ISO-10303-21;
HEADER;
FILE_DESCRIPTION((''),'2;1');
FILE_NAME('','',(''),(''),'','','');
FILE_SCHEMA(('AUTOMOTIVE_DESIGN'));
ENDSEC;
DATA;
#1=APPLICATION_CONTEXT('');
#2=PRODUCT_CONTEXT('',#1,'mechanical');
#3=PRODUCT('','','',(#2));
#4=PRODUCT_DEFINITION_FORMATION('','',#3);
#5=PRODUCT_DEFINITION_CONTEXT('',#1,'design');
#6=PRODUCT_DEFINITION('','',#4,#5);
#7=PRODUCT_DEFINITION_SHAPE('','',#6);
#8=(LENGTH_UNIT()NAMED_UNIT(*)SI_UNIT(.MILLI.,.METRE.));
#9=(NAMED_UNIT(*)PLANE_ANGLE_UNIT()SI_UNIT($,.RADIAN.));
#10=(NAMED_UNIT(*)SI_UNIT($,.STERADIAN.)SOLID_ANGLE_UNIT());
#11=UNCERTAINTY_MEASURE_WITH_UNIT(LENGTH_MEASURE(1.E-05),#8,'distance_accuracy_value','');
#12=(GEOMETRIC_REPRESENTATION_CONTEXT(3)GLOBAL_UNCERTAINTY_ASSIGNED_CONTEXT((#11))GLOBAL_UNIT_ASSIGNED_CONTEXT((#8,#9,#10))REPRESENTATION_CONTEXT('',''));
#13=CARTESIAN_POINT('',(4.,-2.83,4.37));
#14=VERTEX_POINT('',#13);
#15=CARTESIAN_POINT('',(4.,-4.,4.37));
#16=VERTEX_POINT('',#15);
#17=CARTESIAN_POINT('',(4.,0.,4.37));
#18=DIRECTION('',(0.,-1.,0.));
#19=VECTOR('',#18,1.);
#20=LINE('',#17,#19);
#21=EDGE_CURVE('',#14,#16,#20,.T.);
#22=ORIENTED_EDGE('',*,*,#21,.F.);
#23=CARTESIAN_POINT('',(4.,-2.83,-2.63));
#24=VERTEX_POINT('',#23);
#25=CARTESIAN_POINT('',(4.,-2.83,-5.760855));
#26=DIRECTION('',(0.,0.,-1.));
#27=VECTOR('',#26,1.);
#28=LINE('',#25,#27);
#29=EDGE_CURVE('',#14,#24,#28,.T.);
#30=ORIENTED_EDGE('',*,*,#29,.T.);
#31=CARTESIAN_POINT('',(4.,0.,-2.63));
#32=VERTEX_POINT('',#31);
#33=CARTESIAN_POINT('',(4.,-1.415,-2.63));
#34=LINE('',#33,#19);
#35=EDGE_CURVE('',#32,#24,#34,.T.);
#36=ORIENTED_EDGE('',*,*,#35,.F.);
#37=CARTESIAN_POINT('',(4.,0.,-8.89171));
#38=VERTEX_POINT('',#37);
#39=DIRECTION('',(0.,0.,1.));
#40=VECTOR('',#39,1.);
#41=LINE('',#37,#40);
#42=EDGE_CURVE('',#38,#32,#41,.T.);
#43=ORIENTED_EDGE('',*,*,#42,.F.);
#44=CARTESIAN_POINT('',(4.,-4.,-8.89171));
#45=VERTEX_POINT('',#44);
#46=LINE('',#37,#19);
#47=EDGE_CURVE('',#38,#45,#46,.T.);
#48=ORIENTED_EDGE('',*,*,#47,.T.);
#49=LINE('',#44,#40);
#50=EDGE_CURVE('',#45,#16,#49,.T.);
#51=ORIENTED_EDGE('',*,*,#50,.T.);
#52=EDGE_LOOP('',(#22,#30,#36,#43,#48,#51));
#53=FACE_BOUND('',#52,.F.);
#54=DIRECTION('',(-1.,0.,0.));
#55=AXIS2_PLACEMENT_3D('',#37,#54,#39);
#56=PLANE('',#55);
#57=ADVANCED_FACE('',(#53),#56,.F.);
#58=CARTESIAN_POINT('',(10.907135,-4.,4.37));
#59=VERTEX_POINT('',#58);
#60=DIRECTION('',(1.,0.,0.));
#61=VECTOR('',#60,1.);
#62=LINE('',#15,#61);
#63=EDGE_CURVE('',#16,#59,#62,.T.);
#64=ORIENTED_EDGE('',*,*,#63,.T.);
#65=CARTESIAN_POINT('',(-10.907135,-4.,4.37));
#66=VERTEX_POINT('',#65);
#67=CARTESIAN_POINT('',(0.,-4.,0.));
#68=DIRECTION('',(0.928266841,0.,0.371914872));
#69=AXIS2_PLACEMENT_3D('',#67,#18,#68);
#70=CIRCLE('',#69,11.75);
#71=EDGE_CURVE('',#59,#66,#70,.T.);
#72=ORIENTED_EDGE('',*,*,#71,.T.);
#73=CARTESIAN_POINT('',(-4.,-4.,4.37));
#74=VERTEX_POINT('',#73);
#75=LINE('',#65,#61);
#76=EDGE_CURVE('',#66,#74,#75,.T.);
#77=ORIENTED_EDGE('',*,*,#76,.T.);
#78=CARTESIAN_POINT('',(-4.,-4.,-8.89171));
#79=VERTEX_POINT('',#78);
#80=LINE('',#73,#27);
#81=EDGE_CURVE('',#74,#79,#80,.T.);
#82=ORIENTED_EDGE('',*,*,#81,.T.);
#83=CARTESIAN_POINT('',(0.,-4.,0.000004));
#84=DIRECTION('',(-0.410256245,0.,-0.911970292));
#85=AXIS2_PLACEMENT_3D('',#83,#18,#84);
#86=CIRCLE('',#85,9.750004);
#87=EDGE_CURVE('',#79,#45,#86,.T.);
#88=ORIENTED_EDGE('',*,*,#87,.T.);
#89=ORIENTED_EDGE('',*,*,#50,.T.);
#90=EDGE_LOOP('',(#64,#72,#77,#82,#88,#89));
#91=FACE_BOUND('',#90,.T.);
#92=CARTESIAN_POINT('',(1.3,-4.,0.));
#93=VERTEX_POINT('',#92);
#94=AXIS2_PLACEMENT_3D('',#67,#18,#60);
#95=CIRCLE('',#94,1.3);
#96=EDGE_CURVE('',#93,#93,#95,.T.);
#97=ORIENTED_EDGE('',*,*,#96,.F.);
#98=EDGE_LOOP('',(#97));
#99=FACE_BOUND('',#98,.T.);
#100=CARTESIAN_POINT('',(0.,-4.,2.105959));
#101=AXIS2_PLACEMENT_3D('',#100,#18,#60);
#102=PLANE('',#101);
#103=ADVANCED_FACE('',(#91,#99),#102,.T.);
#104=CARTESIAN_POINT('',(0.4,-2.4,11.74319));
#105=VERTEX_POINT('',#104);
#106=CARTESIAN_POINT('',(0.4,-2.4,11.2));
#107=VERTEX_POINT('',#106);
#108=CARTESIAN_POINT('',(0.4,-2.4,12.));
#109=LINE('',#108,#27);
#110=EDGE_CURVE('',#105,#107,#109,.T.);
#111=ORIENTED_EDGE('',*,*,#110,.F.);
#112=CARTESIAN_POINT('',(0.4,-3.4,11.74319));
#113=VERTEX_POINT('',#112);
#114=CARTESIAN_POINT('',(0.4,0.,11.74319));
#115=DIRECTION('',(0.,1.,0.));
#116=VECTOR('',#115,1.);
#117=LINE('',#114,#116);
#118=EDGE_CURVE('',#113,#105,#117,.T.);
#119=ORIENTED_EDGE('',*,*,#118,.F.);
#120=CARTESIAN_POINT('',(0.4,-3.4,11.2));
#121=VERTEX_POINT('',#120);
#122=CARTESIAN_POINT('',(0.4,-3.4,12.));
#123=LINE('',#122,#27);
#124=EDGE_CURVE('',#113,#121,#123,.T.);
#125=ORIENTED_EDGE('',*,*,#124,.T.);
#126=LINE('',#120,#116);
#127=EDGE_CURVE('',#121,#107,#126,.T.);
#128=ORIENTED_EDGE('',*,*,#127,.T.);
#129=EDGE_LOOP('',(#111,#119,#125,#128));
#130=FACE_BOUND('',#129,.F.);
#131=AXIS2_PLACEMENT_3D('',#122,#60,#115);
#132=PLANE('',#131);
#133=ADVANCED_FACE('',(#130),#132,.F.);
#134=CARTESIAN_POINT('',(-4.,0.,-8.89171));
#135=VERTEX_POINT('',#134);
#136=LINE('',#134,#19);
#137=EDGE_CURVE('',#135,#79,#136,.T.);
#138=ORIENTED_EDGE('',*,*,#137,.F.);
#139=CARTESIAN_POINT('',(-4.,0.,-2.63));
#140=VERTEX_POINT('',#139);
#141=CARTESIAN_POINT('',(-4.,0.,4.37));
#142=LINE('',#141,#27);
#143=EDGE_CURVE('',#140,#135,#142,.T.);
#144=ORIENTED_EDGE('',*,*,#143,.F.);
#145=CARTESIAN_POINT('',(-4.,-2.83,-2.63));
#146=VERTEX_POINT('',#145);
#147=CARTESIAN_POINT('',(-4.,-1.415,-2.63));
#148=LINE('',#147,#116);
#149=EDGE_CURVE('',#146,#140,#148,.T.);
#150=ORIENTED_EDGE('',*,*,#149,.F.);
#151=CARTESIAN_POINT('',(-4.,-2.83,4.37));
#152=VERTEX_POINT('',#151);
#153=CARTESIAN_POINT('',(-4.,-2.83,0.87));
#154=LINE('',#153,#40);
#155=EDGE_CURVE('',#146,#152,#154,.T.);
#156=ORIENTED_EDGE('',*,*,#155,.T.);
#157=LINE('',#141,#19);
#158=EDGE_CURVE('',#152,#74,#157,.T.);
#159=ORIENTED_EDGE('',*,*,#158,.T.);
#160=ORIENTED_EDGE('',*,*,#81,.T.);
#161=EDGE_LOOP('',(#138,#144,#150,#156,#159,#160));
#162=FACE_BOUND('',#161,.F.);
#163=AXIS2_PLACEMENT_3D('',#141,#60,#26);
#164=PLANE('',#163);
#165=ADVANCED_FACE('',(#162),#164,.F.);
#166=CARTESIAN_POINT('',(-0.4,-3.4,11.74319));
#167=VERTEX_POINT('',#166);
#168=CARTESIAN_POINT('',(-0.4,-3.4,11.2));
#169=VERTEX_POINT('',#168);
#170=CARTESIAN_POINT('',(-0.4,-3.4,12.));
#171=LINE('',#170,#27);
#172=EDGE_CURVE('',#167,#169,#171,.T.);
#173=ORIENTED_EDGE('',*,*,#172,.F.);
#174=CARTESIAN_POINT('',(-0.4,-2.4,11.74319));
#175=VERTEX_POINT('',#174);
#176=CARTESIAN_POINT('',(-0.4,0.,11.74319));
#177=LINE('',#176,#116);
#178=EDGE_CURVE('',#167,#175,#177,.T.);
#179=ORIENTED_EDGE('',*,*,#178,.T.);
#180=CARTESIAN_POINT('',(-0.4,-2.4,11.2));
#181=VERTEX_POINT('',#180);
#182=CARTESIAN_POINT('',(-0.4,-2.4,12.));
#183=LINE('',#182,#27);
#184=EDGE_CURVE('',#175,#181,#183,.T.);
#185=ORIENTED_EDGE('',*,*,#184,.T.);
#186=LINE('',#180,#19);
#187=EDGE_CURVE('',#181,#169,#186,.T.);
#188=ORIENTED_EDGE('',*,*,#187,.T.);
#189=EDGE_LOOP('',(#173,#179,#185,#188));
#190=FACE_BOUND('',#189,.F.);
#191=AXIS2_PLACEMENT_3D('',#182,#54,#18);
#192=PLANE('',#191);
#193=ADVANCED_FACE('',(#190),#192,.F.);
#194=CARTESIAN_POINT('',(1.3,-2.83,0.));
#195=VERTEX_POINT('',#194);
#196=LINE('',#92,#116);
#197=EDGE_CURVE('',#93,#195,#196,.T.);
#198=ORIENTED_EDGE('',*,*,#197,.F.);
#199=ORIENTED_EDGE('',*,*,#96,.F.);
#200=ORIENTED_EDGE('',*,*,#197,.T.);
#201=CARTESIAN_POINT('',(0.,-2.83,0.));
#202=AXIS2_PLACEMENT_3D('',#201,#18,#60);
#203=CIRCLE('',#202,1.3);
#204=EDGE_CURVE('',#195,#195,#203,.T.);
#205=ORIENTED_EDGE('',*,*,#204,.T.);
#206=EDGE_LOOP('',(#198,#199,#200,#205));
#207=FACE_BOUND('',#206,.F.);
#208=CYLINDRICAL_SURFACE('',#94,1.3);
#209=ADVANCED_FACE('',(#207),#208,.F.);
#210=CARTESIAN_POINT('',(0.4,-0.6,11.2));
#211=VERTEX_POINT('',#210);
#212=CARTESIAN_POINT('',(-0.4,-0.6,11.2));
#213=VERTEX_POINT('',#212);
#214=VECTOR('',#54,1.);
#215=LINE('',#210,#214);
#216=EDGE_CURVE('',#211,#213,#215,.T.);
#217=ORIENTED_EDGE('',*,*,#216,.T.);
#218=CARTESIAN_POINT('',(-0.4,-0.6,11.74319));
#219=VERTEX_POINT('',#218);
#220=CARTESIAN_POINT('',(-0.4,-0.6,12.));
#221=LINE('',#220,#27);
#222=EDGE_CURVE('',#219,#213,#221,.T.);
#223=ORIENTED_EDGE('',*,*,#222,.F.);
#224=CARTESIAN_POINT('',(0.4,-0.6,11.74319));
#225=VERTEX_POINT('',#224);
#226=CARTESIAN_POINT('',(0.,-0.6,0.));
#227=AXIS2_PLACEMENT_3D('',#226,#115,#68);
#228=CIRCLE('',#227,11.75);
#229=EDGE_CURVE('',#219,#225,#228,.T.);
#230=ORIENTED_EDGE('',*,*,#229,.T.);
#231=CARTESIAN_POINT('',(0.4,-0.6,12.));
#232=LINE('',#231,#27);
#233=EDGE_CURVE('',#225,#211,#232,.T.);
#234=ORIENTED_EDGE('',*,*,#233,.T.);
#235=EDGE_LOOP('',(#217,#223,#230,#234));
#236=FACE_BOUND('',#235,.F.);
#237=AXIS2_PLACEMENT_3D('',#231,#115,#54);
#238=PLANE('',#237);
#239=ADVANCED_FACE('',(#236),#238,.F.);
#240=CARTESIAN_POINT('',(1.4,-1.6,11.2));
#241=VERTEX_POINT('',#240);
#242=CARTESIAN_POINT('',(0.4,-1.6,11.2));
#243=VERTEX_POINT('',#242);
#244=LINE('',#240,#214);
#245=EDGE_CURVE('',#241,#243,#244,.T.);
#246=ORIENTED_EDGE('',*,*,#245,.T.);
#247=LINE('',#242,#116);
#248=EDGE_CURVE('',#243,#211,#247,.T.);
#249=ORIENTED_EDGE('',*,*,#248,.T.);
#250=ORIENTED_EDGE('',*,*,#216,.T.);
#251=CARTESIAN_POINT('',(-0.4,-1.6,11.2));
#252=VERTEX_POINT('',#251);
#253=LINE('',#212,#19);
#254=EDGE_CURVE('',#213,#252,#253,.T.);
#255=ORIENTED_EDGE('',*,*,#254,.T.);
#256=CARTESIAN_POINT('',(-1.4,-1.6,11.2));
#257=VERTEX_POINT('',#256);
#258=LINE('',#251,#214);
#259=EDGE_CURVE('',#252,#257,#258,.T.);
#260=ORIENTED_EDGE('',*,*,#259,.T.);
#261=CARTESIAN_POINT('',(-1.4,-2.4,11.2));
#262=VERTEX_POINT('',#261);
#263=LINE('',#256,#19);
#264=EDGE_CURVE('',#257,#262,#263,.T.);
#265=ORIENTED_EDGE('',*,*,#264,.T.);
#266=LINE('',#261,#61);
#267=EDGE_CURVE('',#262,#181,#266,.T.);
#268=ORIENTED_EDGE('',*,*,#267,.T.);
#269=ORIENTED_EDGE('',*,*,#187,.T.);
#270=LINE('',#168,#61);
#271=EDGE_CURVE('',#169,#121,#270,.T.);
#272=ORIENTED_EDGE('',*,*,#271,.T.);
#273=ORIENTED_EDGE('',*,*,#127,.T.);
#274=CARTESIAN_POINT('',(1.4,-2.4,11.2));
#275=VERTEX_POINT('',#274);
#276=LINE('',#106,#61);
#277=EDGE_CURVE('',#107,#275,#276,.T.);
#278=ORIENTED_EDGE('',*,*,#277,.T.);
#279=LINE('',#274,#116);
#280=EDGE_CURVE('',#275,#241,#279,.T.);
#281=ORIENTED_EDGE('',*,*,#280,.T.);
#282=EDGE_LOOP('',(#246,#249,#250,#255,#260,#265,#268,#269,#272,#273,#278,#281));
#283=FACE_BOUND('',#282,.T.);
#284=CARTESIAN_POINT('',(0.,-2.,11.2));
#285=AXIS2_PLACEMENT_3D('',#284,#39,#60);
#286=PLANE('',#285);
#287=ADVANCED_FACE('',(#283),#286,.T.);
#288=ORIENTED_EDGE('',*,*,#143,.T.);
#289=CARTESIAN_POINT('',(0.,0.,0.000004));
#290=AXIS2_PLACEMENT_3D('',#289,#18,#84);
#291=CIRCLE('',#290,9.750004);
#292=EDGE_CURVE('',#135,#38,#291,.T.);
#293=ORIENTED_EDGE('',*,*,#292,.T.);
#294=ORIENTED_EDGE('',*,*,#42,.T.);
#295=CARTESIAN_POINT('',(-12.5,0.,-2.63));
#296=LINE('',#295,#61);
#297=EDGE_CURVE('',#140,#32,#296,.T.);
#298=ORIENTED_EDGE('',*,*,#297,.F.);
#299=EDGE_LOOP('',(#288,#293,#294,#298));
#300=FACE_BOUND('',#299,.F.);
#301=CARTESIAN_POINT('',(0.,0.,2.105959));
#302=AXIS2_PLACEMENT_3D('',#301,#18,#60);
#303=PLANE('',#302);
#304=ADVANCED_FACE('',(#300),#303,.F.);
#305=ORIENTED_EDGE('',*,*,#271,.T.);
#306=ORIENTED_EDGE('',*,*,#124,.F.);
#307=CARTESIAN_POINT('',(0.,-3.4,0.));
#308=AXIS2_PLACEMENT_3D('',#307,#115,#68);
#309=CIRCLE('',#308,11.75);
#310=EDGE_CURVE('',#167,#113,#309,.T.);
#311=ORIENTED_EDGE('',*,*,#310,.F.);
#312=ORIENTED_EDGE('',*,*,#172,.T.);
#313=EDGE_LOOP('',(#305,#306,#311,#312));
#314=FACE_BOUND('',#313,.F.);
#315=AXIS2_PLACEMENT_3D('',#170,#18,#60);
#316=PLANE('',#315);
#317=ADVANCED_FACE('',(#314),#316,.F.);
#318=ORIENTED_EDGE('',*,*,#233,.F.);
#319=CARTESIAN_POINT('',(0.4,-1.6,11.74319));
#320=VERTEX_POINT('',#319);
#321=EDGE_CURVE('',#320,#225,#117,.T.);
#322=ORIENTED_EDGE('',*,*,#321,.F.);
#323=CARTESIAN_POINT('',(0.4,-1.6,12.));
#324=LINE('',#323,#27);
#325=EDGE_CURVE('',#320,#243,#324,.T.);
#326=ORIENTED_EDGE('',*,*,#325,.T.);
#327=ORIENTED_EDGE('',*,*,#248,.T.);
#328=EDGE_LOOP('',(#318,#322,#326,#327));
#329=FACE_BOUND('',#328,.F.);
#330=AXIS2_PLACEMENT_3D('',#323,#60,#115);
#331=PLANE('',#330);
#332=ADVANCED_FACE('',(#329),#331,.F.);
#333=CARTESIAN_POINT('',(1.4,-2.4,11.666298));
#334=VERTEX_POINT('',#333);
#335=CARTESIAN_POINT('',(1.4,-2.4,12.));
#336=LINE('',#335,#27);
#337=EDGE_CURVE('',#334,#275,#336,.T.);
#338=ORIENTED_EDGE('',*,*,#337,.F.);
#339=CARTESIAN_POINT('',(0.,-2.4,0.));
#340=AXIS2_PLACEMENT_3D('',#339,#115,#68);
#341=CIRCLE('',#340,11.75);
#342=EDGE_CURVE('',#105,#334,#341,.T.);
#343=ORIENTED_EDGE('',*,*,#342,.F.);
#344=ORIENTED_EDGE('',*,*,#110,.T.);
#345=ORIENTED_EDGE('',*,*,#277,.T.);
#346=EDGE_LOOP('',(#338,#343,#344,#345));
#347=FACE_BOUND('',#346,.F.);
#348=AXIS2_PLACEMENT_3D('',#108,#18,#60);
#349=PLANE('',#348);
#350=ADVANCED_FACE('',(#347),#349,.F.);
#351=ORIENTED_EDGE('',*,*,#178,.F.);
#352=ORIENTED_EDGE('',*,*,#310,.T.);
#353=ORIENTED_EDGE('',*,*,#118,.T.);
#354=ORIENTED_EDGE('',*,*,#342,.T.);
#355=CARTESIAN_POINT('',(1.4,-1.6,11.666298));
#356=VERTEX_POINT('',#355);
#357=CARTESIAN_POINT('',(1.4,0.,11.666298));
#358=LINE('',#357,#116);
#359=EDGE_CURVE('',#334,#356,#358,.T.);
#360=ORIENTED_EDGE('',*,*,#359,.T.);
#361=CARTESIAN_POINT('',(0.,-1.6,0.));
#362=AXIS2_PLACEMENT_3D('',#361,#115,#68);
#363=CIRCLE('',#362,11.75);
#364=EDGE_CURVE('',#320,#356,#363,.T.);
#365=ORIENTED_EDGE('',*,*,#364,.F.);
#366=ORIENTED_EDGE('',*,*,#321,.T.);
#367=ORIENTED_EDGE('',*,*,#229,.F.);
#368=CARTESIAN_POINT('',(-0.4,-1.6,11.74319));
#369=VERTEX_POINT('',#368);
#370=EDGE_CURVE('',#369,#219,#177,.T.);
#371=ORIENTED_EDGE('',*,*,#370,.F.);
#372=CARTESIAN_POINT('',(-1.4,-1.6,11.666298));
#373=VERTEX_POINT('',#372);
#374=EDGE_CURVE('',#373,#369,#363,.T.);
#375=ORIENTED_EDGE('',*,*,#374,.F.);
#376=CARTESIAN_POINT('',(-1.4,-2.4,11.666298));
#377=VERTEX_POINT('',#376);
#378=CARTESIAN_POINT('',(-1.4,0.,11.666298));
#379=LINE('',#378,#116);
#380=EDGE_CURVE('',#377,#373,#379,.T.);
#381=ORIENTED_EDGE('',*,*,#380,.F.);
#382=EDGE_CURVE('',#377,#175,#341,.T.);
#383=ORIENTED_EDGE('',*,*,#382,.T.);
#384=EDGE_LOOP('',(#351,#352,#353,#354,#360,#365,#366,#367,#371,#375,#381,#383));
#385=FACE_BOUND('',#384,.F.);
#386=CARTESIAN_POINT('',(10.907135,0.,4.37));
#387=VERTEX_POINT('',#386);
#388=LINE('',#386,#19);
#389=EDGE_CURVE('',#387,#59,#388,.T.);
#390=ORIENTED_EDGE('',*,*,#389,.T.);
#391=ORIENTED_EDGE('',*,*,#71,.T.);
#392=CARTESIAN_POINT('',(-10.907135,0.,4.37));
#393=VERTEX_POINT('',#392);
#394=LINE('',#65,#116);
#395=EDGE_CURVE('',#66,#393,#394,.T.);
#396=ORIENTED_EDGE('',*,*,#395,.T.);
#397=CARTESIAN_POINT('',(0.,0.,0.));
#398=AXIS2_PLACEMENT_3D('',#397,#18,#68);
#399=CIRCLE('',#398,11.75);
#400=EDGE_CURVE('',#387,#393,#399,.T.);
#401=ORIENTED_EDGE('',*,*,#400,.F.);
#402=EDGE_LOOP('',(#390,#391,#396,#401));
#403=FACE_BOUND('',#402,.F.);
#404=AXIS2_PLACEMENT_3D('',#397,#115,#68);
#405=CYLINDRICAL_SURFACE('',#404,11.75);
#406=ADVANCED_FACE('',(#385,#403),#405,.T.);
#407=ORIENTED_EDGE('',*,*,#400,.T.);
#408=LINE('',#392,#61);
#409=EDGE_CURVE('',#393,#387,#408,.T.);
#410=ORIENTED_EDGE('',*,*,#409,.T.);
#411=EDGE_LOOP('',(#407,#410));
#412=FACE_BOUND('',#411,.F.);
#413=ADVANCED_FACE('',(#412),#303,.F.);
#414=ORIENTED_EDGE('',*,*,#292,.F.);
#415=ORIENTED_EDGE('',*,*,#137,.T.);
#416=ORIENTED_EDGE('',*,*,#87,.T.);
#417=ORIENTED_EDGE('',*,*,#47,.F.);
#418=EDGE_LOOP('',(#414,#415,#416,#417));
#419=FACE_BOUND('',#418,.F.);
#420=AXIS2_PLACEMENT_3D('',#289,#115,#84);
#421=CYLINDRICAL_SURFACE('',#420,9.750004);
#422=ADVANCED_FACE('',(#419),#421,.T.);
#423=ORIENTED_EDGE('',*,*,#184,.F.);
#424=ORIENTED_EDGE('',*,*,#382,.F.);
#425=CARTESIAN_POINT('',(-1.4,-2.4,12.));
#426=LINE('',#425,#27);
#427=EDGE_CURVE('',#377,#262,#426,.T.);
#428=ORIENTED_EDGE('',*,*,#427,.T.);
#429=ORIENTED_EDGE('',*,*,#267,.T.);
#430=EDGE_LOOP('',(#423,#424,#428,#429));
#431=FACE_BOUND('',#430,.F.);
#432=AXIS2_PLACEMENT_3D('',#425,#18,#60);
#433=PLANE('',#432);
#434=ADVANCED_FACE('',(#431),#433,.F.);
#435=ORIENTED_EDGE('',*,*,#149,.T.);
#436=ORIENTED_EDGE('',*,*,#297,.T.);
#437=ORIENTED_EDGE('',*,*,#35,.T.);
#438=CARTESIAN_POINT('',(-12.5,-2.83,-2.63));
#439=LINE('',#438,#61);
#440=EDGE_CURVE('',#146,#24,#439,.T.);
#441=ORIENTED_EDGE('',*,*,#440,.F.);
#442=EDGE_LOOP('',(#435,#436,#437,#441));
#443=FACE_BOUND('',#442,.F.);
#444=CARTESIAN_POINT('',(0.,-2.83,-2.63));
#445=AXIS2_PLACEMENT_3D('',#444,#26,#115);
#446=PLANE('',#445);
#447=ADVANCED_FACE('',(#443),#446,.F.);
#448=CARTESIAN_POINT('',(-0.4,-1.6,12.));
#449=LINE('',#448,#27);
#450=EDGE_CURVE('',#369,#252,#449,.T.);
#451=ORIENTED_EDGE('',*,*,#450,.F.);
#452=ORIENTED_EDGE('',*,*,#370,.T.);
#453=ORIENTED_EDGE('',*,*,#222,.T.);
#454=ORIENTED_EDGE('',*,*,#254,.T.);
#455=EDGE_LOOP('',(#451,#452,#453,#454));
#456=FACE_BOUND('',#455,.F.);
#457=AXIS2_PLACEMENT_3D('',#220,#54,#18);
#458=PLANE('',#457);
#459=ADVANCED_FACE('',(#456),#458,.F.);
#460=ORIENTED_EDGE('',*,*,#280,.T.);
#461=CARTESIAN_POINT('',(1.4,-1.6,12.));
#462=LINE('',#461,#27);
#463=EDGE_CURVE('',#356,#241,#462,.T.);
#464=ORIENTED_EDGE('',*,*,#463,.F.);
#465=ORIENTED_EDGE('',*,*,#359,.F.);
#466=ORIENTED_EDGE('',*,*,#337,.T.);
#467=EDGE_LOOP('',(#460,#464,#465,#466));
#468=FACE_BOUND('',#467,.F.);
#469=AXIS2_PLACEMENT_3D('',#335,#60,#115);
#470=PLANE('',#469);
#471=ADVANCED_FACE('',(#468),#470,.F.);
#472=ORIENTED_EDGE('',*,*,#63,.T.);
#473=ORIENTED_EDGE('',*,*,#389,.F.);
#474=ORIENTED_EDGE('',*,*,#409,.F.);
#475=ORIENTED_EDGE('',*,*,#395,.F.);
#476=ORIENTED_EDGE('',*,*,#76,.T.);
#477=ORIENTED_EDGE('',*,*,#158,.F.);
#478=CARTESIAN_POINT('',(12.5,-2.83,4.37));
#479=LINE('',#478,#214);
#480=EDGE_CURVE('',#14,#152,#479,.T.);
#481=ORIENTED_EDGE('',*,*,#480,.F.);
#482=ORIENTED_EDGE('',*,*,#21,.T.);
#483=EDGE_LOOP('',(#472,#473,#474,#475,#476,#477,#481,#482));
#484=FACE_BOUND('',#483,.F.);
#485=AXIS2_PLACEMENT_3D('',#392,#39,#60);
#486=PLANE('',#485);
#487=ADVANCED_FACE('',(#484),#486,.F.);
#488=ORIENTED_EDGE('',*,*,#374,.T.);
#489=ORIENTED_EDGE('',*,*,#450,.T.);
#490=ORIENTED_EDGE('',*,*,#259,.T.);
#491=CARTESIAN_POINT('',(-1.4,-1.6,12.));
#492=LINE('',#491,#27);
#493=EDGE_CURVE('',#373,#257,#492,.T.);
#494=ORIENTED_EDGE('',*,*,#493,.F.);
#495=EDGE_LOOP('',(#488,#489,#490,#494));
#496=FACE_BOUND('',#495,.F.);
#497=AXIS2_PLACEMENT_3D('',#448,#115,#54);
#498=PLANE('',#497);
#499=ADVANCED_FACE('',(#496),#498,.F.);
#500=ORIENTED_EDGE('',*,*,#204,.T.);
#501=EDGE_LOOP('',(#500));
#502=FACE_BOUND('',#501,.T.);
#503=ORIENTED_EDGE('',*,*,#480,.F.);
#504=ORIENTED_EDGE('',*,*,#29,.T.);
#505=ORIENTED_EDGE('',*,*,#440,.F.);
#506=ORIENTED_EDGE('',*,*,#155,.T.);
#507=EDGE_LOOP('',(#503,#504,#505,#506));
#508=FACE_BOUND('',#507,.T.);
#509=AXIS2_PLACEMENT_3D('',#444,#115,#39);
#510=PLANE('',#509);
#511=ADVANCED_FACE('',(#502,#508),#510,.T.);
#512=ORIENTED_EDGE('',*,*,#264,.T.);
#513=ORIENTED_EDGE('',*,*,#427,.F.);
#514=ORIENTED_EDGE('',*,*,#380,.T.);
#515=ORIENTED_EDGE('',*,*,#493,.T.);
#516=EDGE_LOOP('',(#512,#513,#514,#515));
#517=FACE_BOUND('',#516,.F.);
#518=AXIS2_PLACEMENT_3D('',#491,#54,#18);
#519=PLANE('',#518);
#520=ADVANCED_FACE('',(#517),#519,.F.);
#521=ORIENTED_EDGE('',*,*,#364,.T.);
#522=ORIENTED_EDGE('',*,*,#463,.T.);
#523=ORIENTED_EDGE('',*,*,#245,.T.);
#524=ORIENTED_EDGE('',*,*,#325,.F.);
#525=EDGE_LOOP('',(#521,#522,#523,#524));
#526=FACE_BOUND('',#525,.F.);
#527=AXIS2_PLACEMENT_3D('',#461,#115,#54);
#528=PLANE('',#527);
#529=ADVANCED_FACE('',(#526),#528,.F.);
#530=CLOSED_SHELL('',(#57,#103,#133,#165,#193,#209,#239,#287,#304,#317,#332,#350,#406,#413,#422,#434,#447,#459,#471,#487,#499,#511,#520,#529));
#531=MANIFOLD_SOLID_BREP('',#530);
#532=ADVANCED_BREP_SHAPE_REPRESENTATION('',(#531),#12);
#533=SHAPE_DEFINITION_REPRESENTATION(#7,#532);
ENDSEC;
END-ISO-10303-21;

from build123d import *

# Parameters (mm, degrees)
F1_DEPTH = 4
F2_W     = 2.83
F2_H     = 7
F3_DEPTH = 12.5
F6_DEPTH = 0.8
F7_R     = 1.3
F8_DEPTH = 4.001


with BuildPart() as f1:
    # F0 (on Front) → F1 (new body)
    with BuildSketch(Plane.XZ):
        with BuildLine():
            Line((-4, 4.37), (-4, -8.89171))
            ThreePointArc((-4, -8.89171), (0, -9.75), (4, -8.89171))
            Line((4, -8.89171), (4, 4.37))
            Line((4, 4.37), (10.907135, 4.37))
            ThreePointArc((10.907135, 4.37), (0, 11.75), (-10.907135, 4.37))
            Line((-10.907135, 4.37), (-4, 4.37))
        make_face()
    extrude(amount=F1_DEPTH)

    # F2 (on Right) → F3 (cut, symmetric)
    with BuildSketch(Plane.YZ):
        with Locations((-1.415, 0.87)):
            Rectangle(F2_W, F2_H)
    extrude(amount=F3_DEPTH, both=True, mode=Mode.SUBTRACT)

    # F5 (on offset) → F6 (cut)
    with BuildSketch(Plane.XY.offset(12)):
        Polygon((-0.4, -1.6), (-1.4, -1.6), (-1.4, -2.4), (-0.4, -2.4), (-0.4, -3.4), (0.4, -3.4), (0.4, -2.4), (1.4, -2.4), (1.4, -1.6), (0.4, -1.6), (0.4, -0.6), (-0.4, -0.6), align=None)
    extrude(amount=-F6_DEPTH, mode=Mode.SUBTRACT)

    # F7 (on face) → F8 (cut, through all)
    with BuildSketch(Plane.XZ.offset(4)):
        Circle(F7_R)
    extrude(amount=-F8_DEPTH, mode=Mode.SUBTRACT)


solid = f1.part
